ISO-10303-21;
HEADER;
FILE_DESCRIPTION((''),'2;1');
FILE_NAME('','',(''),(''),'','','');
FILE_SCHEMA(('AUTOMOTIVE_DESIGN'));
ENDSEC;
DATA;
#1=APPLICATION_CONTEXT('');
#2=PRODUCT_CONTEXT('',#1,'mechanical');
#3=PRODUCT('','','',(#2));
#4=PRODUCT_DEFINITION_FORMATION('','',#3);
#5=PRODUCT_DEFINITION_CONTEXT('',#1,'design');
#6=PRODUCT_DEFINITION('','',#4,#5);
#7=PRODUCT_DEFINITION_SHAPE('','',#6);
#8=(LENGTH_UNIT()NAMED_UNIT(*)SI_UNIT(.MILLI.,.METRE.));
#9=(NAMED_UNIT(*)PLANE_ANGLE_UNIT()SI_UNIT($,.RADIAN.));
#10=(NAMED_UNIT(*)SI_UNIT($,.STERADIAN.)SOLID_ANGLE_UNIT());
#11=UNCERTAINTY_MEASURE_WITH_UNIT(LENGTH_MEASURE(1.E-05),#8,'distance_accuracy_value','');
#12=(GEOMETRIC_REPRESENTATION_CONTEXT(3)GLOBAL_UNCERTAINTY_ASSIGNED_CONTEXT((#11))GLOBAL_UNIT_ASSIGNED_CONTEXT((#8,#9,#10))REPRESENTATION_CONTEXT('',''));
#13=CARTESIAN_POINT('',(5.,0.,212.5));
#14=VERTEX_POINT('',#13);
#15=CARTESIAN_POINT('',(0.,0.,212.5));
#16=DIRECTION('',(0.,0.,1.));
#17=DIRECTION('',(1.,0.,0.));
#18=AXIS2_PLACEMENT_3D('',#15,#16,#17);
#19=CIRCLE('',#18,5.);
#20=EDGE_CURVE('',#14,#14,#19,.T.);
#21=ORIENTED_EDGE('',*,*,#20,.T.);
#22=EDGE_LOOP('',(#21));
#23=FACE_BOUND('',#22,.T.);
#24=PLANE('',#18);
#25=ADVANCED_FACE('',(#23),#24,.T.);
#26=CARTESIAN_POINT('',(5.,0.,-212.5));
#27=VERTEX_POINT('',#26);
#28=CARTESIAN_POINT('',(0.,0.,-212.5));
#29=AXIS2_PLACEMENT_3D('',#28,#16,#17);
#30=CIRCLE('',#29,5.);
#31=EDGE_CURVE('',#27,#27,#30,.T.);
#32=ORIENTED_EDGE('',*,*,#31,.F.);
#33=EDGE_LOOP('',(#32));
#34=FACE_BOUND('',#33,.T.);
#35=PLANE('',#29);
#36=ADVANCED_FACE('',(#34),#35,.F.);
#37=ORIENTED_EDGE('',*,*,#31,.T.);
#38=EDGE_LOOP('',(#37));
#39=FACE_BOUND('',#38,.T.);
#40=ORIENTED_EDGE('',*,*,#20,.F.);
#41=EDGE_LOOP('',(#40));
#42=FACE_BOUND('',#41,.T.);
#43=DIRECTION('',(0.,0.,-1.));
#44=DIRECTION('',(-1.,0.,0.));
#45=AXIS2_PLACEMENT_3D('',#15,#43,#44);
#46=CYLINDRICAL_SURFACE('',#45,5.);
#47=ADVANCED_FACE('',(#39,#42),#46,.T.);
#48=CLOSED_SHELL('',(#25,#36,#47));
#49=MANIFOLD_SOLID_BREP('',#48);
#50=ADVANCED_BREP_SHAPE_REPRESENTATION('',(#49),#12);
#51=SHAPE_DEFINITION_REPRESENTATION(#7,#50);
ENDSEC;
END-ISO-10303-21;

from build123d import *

# Parameters (mm, degrees)
SKETCH1_R           = 5
BOSS_EXTRUDE1_DEPTH = 212.5


with BuildPart() as part:
    # Sketch1 → Boss-Extrude1 (new body, symmetric)
    with BuildSketch(Plane.XY):
        Circle(SKETCH1_R)
    extrude(amount=BOSS_EXTRUDE1_DEPTH, both=True)


solid = part.part
